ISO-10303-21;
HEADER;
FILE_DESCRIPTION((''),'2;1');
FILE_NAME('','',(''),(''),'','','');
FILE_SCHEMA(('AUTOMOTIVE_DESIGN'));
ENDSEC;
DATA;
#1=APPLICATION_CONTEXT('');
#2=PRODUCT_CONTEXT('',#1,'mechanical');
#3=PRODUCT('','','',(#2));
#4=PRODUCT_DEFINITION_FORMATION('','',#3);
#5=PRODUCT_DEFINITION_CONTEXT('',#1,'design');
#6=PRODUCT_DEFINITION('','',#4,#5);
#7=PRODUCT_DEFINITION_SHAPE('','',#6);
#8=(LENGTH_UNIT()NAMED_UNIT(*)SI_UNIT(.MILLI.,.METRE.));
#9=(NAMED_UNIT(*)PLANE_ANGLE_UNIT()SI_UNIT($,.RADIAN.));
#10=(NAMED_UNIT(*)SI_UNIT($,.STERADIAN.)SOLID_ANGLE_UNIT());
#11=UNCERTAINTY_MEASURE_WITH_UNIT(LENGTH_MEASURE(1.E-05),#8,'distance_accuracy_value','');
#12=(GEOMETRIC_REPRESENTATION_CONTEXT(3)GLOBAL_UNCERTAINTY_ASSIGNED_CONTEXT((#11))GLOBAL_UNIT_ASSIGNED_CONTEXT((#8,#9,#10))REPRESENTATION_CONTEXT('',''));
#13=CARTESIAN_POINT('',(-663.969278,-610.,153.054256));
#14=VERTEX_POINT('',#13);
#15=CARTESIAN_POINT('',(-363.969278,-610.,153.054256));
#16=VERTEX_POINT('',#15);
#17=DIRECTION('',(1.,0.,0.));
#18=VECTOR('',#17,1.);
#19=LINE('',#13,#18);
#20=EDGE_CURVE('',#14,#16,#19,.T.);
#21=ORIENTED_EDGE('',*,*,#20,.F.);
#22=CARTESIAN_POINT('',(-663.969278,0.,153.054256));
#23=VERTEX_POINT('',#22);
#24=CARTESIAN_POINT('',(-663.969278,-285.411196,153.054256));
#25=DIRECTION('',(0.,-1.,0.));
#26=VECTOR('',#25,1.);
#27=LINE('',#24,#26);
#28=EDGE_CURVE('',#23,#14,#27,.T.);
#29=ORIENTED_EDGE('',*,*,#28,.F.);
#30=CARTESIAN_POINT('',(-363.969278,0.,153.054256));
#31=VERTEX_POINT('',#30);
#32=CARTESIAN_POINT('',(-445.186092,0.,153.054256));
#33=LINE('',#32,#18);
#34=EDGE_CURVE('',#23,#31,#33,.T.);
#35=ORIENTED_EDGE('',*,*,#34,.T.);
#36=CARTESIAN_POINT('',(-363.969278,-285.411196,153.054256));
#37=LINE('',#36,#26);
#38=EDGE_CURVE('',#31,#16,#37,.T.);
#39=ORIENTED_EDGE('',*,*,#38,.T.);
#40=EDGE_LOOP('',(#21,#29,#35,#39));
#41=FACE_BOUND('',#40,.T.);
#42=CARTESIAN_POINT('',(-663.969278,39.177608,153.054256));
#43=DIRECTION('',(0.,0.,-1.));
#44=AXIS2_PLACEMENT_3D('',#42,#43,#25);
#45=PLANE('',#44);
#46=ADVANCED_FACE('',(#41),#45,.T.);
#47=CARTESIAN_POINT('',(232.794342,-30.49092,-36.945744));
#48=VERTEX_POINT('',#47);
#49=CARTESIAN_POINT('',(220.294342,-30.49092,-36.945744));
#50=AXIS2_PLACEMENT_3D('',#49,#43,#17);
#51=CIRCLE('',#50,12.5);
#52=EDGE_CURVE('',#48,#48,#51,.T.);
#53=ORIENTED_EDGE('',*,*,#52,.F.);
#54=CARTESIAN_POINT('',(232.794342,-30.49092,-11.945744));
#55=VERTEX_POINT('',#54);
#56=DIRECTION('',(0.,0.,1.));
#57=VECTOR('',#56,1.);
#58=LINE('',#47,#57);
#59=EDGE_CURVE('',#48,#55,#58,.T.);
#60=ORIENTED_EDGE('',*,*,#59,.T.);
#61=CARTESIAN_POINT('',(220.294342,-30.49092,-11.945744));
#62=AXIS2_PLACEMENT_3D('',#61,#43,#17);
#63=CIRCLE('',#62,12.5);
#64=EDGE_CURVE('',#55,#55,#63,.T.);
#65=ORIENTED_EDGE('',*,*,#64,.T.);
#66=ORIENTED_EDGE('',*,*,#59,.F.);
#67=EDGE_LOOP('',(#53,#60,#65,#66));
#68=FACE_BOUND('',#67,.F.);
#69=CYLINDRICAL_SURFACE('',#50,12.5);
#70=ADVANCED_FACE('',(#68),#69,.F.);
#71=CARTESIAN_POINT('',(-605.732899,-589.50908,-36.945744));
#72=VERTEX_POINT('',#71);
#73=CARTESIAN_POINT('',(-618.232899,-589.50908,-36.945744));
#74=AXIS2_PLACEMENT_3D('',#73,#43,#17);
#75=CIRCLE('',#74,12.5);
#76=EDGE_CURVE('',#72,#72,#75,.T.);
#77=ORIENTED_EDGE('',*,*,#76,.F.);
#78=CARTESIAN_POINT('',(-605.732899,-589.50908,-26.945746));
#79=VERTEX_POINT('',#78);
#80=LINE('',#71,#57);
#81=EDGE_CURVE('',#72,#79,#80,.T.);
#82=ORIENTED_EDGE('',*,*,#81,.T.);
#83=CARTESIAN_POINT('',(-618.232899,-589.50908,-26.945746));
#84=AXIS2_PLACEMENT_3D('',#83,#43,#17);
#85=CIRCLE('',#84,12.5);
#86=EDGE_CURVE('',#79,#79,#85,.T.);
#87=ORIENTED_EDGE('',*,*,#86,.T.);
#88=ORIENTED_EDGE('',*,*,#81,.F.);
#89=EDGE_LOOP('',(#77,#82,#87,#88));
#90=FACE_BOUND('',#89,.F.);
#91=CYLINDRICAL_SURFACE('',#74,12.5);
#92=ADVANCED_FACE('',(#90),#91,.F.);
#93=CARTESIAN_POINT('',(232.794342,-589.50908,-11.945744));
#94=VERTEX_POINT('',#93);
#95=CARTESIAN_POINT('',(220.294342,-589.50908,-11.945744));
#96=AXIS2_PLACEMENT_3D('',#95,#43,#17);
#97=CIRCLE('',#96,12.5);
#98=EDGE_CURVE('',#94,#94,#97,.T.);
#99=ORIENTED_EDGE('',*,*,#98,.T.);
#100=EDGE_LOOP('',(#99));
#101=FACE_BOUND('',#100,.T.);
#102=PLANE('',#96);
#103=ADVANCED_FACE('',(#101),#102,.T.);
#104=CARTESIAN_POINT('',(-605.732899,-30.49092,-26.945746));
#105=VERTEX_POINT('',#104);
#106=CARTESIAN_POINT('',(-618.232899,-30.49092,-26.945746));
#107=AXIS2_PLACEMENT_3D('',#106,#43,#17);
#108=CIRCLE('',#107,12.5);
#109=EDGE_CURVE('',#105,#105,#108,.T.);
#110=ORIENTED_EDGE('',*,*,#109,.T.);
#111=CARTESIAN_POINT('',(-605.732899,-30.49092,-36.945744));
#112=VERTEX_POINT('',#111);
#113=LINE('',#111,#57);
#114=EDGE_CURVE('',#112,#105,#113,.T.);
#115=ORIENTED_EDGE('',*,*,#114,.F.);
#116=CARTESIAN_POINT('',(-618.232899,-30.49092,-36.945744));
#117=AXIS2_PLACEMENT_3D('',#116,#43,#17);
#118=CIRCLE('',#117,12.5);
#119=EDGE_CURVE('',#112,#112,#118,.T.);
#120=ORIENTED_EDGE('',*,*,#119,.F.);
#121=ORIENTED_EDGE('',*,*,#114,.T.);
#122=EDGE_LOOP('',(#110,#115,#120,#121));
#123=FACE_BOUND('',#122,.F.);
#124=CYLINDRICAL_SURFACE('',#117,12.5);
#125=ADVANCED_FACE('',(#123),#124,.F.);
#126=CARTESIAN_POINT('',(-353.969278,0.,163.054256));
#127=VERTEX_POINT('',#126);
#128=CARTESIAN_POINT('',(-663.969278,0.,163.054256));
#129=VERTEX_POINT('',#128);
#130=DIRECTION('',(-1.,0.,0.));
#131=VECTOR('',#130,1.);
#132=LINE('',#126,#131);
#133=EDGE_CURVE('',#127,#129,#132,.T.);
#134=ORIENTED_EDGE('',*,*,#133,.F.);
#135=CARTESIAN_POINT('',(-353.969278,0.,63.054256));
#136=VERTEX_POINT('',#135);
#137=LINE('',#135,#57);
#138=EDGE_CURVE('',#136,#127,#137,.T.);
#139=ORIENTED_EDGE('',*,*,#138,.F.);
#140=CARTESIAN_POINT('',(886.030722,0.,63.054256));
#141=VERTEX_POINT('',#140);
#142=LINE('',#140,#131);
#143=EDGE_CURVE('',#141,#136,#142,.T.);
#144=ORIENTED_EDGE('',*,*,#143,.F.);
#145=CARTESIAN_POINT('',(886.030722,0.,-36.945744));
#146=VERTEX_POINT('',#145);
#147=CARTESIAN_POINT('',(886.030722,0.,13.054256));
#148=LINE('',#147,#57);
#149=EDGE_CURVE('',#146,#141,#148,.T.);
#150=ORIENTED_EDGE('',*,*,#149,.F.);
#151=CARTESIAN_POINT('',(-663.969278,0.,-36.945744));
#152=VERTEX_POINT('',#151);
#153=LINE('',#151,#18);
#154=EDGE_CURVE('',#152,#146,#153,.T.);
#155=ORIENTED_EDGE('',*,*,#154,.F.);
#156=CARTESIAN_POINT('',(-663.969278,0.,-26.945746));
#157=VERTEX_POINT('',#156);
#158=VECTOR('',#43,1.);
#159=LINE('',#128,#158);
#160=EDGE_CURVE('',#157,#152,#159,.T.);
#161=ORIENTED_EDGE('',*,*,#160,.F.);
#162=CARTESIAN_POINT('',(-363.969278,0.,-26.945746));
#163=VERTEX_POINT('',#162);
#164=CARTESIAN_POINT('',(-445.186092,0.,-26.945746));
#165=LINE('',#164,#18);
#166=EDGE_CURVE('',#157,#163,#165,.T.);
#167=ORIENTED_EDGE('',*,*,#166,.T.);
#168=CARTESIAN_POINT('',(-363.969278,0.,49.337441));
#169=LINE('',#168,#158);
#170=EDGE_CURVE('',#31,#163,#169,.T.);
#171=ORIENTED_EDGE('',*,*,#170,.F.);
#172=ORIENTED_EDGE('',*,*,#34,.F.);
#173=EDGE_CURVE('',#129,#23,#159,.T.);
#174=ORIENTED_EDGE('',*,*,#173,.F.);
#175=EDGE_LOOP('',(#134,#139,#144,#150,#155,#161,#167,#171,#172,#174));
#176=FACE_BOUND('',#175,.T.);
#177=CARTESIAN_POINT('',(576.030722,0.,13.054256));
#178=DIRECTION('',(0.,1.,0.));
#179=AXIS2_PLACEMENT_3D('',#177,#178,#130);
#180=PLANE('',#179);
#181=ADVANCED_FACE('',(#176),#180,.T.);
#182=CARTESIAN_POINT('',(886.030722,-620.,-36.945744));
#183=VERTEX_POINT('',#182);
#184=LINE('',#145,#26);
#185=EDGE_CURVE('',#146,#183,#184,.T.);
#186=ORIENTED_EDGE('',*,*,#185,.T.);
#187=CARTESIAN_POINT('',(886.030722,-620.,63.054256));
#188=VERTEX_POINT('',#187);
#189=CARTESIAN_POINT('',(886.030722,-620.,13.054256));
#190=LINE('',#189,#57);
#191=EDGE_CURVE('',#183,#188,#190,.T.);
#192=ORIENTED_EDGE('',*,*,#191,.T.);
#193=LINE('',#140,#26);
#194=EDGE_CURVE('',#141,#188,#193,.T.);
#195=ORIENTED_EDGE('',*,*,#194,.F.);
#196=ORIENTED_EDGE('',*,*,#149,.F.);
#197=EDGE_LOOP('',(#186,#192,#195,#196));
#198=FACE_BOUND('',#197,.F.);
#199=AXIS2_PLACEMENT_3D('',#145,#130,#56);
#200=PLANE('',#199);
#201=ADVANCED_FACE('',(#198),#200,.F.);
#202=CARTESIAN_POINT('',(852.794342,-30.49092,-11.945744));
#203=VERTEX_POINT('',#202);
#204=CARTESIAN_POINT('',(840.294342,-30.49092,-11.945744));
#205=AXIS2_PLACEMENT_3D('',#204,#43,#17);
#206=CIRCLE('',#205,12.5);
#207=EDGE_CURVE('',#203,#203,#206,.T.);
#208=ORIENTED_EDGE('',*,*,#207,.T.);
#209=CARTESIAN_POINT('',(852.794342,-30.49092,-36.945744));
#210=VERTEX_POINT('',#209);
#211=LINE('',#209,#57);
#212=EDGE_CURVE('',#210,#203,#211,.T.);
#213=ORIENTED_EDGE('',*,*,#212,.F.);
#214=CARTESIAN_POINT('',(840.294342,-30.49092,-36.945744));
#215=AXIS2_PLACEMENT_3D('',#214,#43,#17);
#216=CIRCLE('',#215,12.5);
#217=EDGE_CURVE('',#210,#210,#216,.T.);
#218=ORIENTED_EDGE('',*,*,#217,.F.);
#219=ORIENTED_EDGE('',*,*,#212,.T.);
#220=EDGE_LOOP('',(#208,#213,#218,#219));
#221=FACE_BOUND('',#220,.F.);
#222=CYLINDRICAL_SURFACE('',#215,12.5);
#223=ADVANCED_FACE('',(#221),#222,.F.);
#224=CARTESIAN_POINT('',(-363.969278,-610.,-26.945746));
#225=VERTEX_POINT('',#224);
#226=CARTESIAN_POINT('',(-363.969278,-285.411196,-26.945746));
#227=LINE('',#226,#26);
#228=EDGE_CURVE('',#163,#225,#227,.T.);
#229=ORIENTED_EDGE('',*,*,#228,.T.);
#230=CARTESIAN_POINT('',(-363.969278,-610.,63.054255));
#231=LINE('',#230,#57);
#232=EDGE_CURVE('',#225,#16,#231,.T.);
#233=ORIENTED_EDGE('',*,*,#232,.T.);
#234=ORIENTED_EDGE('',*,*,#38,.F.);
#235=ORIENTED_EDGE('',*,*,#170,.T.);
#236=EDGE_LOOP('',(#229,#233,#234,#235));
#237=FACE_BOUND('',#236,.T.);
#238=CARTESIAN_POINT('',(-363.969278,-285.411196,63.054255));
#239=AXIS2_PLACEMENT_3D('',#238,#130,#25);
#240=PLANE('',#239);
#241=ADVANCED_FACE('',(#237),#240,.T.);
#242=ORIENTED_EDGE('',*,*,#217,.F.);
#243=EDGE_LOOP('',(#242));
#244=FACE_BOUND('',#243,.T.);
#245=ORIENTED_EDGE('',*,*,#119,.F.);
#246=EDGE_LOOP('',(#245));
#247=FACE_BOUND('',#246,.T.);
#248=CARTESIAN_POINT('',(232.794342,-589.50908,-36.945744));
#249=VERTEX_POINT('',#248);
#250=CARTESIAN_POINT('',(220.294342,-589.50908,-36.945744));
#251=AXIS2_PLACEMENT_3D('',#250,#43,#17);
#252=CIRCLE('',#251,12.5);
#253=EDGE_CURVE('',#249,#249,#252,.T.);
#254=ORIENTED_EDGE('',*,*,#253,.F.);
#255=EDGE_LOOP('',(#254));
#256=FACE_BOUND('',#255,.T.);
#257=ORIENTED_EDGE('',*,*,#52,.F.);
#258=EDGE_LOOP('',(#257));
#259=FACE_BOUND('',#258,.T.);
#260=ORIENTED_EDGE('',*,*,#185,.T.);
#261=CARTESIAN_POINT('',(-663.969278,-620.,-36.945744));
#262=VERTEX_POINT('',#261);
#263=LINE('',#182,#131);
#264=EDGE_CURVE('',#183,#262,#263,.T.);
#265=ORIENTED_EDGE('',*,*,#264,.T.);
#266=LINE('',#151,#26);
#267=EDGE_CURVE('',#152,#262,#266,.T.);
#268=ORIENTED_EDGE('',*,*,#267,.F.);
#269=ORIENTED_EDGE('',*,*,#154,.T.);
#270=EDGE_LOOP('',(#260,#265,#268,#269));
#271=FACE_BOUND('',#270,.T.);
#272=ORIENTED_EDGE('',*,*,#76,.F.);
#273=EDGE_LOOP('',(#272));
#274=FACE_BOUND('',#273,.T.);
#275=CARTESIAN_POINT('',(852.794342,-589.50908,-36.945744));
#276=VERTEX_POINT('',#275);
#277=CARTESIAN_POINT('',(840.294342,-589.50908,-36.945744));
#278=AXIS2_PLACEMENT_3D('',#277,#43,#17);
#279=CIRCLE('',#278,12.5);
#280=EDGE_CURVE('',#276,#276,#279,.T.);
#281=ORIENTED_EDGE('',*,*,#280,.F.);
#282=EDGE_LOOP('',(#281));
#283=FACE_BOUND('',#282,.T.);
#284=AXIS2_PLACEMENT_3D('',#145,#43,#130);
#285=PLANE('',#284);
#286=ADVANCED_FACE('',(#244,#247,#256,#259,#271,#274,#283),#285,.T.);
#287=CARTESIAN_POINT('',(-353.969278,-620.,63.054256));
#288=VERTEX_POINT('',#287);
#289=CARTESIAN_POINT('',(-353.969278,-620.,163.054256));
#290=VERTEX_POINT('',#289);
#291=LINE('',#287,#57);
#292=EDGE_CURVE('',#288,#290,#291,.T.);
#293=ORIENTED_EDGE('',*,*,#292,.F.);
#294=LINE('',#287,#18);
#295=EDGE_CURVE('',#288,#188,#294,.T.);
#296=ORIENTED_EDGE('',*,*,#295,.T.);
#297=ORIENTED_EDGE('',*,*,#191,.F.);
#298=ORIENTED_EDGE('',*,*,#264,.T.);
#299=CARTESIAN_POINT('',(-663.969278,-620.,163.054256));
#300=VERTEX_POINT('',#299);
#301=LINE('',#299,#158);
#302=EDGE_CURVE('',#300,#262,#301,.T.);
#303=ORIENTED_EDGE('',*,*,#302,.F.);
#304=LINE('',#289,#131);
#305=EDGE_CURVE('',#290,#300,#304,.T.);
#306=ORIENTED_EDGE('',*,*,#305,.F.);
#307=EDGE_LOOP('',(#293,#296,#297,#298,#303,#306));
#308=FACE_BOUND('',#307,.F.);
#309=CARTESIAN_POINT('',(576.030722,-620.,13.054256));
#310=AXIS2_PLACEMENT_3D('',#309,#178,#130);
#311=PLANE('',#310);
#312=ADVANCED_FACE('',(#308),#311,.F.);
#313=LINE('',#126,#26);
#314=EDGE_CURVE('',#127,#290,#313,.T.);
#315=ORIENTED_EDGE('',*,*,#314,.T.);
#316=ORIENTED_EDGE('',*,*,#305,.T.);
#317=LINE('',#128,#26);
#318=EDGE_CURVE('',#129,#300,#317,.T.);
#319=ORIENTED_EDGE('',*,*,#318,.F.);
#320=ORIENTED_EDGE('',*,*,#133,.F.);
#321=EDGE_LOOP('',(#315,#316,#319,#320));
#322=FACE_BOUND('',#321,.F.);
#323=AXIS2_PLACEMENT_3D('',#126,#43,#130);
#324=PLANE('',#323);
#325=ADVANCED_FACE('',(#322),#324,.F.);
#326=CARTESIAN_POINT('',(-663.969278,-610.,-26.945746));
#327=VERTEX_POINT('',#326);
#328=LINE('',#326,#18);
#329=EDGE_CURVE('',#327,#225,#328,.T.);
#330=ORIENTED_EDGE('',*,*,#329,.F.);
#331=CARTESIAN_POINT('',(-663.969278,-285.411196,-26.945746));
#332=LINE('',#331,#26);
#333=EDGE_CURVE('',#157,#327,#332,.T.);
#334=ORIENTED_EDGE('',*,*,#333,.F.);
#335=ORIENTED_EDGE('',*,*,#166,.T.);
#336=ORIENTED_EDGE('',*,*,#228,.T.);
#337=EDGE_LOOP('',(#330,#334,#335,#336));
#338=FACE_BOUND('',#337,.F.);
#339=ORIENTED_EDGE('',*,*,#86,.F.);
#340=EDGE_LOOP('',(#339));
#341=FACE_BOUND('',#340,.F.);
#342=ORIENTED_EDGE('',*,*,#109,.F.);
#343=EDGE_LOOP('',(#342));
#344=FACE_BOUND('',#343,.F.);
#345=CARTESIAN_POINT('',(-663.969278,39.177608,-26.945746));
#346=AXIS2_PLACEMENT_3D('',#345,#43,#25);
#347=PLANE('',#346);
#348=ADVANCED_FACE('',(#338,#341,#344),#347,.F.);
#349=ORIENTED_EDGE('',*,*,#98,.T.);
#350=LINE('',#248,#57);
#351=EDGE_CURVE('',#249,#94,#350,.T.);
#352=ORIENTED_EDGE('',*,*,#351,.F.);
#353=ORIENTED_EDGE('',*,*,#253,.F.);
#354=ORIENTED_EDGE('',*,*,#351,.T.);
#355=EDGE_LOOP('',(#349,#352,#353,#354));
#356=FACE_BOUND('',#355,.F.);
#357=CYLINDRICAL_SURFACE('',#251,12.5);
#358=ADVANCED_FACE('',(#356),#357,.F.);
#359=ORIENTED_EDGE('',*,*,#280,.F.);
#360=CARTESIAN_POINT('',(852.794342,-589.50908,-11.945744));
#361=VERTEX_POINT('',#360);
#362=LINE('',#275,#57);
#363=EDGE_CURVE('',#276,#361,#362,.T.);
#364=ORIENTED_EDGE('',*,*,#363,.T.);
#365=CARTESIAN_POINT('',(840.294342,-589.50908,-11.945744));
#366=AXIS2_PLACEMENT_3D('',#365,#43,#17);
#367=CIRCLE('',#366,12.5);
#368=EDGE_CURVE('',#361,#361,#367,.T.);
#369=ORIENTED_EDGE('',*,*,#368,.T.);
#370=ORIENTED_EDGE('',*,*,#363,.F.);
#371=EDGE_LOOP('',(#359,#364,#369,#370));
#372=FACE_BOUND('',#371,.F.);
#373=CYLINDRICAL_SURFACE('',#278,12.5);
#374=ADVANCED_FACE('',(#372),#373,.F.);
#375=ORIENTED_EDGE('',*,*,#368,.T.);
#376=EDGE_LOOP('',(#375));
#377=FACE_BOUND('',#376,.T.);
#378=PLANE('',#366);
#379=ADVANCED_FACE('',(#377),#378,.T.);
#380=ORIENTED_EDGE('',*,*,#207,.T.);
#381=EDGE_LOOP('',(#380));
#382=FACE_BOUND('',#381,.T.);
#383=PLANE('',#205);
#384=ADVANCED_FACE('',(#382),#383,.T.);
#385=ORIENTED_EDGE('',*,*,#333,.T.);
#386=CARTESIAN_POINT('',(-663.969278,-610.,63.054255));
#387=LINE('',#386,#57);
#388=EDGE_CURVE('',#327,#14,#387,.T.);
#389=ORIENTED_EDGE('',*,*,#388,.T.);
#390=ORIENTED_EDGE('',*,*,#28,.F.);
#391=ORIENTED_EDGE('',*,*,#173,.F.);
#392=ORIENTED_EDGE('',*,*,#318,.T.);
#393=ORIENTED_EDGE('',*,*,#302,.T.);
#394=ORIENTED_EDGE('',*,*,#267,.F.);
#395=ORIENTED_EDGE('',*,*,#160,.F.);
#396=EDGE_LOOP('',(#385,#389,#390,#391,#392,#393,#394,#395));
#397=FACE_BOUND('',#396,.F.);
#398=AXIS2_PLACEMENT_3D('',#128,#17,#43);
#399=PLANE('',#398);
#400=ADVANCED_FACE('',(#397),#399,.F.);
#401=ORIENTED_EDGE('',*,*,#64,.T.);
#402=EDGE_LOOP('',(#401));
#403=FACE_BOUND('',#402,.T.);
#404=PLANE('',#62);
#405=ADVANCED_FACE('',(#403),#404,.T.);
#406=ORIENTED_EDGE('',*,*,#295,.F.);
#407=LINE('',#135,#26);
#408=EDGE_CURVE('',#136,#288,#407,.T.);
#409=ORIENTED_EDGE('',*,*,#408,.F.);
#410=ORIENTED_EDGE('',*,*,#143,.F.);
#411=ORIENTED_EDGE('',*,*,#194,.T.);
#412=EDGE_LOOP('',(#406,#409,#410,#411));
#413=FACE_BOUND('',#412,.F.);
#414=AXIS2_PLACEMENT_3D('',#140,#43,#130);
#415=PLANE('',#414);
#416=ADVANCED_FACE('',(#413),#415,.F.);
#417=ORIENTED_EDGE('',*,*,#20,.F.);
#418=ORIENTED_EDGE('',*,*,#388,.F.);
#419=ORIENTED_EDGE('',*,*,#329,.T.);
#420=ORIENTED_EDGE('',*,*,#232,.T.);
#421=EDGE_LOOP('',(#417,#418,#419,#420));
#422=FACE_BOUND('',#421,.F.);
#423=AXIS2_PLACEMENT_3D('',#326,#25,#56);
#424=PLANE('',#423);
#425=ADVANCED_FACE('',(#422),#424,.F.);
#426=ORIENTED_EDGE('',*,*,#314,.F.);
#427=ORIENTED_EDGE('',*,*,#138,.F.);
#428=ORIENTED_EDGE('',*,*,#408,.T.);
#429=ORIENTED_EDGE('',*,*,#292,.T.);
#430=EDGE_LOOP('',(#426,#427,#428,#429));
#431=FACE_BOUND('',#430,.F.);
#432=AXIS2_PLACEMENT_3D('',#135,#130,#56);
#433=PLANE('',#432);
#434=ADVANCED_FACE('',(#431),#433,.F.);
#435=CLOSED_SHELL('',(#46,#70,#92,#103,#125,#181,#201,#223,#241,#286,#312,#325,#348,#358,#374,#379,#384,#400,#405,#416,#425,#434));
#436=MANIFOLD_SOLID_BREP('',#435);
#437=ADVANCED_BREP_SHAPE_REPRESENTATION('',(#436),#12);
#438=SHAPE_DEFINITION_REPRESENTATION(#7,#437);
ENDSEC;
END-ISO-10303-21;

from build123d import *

# Parameters (mm, degrees)
F1_DEPTH = 620
F2_R     = 12.5
F3_DEPTH = 25
F4_W     = 649.177608
F4_H     = 180.000001
F5_DEPTH = 300
F6_W     = 620
F6_H     = 100
F7_DEPTH = 620
F8_R     = 12.5
F9_DEPTH = 25


with BuildPart() as f1:
    # F0 (on Front) → F1 (new body)
    with BuildSketch(Plane.XZ):
        Polygon((266.030722, -36.945744), (266.030722, 63.054256), (-353.969278, 63.054256), (-353.969278, 163.054256), (-663.969278, 163.054256), (-663.969278, -36.945744), (-353.969278, -36.945744), align=None)
    extrude(amount=F1_DEPTH)

    # F2 (on face) → F3 (cut)
    with BuildSketch(Plane(origin=(0, 0, -36.945744), x_dir=(1, 0, 0), z_dir=(0, 0, -1))):
        with Locations((-618.232899, 589.50908)):
            Circle(F2_R)
        with Locations((-618.232899, 30.49092)):
            Circle(F2_R)
        with Locations((220.294342, 589.50908)):
            Circle(F2_R)
        with Locations((220.294342, 30.49092)):
            Circle(F2_R)
    extrude(amount=-F3_DEPTH, mode=Mode.SUBTRACT)

    # F4 (on face) → F5 (cut)
    with BuildSketch(Plane(origin=(-663.969278, 0, 0), x_dir=(0, -1, 0), z_dir=(-1, 0, 0))):
        with Locations((285.411196, 63.054255)):
            Rectangle(F4_W, F4_H)
    extrude(amount=-F5_DEPTH, mode=Mode.SUBTRACT)

    # F6 (on face) → F7 (join, through all)
    with BuildSketch(Plane(origin=(0, 0, 0), x_dir=(-1, 0, 0), z_dir=(0, 1, 0))):
        with Locations((-576.030722, 13.054256)):
            Rectangle(F6_W, F6_H)
    extrude(amount=-F7_DEPTH)

    # F8 (on face) → F9 (cut, through all)
    with BuildSketch(Plane(origin=(0, 0, -36.945744), x_dir=(1, 0, 0), z_dir=(0, 0, -1))):
        with Locations((840.294342, 589.50908)):
            Circle(F8_R)
        with Locations((840.294342, 30.49092)):
            Circle(F8_R)
    extrude(amount=-F9_DEPTH, mode=Mode.SUBTRACT)


solid = f1.part
